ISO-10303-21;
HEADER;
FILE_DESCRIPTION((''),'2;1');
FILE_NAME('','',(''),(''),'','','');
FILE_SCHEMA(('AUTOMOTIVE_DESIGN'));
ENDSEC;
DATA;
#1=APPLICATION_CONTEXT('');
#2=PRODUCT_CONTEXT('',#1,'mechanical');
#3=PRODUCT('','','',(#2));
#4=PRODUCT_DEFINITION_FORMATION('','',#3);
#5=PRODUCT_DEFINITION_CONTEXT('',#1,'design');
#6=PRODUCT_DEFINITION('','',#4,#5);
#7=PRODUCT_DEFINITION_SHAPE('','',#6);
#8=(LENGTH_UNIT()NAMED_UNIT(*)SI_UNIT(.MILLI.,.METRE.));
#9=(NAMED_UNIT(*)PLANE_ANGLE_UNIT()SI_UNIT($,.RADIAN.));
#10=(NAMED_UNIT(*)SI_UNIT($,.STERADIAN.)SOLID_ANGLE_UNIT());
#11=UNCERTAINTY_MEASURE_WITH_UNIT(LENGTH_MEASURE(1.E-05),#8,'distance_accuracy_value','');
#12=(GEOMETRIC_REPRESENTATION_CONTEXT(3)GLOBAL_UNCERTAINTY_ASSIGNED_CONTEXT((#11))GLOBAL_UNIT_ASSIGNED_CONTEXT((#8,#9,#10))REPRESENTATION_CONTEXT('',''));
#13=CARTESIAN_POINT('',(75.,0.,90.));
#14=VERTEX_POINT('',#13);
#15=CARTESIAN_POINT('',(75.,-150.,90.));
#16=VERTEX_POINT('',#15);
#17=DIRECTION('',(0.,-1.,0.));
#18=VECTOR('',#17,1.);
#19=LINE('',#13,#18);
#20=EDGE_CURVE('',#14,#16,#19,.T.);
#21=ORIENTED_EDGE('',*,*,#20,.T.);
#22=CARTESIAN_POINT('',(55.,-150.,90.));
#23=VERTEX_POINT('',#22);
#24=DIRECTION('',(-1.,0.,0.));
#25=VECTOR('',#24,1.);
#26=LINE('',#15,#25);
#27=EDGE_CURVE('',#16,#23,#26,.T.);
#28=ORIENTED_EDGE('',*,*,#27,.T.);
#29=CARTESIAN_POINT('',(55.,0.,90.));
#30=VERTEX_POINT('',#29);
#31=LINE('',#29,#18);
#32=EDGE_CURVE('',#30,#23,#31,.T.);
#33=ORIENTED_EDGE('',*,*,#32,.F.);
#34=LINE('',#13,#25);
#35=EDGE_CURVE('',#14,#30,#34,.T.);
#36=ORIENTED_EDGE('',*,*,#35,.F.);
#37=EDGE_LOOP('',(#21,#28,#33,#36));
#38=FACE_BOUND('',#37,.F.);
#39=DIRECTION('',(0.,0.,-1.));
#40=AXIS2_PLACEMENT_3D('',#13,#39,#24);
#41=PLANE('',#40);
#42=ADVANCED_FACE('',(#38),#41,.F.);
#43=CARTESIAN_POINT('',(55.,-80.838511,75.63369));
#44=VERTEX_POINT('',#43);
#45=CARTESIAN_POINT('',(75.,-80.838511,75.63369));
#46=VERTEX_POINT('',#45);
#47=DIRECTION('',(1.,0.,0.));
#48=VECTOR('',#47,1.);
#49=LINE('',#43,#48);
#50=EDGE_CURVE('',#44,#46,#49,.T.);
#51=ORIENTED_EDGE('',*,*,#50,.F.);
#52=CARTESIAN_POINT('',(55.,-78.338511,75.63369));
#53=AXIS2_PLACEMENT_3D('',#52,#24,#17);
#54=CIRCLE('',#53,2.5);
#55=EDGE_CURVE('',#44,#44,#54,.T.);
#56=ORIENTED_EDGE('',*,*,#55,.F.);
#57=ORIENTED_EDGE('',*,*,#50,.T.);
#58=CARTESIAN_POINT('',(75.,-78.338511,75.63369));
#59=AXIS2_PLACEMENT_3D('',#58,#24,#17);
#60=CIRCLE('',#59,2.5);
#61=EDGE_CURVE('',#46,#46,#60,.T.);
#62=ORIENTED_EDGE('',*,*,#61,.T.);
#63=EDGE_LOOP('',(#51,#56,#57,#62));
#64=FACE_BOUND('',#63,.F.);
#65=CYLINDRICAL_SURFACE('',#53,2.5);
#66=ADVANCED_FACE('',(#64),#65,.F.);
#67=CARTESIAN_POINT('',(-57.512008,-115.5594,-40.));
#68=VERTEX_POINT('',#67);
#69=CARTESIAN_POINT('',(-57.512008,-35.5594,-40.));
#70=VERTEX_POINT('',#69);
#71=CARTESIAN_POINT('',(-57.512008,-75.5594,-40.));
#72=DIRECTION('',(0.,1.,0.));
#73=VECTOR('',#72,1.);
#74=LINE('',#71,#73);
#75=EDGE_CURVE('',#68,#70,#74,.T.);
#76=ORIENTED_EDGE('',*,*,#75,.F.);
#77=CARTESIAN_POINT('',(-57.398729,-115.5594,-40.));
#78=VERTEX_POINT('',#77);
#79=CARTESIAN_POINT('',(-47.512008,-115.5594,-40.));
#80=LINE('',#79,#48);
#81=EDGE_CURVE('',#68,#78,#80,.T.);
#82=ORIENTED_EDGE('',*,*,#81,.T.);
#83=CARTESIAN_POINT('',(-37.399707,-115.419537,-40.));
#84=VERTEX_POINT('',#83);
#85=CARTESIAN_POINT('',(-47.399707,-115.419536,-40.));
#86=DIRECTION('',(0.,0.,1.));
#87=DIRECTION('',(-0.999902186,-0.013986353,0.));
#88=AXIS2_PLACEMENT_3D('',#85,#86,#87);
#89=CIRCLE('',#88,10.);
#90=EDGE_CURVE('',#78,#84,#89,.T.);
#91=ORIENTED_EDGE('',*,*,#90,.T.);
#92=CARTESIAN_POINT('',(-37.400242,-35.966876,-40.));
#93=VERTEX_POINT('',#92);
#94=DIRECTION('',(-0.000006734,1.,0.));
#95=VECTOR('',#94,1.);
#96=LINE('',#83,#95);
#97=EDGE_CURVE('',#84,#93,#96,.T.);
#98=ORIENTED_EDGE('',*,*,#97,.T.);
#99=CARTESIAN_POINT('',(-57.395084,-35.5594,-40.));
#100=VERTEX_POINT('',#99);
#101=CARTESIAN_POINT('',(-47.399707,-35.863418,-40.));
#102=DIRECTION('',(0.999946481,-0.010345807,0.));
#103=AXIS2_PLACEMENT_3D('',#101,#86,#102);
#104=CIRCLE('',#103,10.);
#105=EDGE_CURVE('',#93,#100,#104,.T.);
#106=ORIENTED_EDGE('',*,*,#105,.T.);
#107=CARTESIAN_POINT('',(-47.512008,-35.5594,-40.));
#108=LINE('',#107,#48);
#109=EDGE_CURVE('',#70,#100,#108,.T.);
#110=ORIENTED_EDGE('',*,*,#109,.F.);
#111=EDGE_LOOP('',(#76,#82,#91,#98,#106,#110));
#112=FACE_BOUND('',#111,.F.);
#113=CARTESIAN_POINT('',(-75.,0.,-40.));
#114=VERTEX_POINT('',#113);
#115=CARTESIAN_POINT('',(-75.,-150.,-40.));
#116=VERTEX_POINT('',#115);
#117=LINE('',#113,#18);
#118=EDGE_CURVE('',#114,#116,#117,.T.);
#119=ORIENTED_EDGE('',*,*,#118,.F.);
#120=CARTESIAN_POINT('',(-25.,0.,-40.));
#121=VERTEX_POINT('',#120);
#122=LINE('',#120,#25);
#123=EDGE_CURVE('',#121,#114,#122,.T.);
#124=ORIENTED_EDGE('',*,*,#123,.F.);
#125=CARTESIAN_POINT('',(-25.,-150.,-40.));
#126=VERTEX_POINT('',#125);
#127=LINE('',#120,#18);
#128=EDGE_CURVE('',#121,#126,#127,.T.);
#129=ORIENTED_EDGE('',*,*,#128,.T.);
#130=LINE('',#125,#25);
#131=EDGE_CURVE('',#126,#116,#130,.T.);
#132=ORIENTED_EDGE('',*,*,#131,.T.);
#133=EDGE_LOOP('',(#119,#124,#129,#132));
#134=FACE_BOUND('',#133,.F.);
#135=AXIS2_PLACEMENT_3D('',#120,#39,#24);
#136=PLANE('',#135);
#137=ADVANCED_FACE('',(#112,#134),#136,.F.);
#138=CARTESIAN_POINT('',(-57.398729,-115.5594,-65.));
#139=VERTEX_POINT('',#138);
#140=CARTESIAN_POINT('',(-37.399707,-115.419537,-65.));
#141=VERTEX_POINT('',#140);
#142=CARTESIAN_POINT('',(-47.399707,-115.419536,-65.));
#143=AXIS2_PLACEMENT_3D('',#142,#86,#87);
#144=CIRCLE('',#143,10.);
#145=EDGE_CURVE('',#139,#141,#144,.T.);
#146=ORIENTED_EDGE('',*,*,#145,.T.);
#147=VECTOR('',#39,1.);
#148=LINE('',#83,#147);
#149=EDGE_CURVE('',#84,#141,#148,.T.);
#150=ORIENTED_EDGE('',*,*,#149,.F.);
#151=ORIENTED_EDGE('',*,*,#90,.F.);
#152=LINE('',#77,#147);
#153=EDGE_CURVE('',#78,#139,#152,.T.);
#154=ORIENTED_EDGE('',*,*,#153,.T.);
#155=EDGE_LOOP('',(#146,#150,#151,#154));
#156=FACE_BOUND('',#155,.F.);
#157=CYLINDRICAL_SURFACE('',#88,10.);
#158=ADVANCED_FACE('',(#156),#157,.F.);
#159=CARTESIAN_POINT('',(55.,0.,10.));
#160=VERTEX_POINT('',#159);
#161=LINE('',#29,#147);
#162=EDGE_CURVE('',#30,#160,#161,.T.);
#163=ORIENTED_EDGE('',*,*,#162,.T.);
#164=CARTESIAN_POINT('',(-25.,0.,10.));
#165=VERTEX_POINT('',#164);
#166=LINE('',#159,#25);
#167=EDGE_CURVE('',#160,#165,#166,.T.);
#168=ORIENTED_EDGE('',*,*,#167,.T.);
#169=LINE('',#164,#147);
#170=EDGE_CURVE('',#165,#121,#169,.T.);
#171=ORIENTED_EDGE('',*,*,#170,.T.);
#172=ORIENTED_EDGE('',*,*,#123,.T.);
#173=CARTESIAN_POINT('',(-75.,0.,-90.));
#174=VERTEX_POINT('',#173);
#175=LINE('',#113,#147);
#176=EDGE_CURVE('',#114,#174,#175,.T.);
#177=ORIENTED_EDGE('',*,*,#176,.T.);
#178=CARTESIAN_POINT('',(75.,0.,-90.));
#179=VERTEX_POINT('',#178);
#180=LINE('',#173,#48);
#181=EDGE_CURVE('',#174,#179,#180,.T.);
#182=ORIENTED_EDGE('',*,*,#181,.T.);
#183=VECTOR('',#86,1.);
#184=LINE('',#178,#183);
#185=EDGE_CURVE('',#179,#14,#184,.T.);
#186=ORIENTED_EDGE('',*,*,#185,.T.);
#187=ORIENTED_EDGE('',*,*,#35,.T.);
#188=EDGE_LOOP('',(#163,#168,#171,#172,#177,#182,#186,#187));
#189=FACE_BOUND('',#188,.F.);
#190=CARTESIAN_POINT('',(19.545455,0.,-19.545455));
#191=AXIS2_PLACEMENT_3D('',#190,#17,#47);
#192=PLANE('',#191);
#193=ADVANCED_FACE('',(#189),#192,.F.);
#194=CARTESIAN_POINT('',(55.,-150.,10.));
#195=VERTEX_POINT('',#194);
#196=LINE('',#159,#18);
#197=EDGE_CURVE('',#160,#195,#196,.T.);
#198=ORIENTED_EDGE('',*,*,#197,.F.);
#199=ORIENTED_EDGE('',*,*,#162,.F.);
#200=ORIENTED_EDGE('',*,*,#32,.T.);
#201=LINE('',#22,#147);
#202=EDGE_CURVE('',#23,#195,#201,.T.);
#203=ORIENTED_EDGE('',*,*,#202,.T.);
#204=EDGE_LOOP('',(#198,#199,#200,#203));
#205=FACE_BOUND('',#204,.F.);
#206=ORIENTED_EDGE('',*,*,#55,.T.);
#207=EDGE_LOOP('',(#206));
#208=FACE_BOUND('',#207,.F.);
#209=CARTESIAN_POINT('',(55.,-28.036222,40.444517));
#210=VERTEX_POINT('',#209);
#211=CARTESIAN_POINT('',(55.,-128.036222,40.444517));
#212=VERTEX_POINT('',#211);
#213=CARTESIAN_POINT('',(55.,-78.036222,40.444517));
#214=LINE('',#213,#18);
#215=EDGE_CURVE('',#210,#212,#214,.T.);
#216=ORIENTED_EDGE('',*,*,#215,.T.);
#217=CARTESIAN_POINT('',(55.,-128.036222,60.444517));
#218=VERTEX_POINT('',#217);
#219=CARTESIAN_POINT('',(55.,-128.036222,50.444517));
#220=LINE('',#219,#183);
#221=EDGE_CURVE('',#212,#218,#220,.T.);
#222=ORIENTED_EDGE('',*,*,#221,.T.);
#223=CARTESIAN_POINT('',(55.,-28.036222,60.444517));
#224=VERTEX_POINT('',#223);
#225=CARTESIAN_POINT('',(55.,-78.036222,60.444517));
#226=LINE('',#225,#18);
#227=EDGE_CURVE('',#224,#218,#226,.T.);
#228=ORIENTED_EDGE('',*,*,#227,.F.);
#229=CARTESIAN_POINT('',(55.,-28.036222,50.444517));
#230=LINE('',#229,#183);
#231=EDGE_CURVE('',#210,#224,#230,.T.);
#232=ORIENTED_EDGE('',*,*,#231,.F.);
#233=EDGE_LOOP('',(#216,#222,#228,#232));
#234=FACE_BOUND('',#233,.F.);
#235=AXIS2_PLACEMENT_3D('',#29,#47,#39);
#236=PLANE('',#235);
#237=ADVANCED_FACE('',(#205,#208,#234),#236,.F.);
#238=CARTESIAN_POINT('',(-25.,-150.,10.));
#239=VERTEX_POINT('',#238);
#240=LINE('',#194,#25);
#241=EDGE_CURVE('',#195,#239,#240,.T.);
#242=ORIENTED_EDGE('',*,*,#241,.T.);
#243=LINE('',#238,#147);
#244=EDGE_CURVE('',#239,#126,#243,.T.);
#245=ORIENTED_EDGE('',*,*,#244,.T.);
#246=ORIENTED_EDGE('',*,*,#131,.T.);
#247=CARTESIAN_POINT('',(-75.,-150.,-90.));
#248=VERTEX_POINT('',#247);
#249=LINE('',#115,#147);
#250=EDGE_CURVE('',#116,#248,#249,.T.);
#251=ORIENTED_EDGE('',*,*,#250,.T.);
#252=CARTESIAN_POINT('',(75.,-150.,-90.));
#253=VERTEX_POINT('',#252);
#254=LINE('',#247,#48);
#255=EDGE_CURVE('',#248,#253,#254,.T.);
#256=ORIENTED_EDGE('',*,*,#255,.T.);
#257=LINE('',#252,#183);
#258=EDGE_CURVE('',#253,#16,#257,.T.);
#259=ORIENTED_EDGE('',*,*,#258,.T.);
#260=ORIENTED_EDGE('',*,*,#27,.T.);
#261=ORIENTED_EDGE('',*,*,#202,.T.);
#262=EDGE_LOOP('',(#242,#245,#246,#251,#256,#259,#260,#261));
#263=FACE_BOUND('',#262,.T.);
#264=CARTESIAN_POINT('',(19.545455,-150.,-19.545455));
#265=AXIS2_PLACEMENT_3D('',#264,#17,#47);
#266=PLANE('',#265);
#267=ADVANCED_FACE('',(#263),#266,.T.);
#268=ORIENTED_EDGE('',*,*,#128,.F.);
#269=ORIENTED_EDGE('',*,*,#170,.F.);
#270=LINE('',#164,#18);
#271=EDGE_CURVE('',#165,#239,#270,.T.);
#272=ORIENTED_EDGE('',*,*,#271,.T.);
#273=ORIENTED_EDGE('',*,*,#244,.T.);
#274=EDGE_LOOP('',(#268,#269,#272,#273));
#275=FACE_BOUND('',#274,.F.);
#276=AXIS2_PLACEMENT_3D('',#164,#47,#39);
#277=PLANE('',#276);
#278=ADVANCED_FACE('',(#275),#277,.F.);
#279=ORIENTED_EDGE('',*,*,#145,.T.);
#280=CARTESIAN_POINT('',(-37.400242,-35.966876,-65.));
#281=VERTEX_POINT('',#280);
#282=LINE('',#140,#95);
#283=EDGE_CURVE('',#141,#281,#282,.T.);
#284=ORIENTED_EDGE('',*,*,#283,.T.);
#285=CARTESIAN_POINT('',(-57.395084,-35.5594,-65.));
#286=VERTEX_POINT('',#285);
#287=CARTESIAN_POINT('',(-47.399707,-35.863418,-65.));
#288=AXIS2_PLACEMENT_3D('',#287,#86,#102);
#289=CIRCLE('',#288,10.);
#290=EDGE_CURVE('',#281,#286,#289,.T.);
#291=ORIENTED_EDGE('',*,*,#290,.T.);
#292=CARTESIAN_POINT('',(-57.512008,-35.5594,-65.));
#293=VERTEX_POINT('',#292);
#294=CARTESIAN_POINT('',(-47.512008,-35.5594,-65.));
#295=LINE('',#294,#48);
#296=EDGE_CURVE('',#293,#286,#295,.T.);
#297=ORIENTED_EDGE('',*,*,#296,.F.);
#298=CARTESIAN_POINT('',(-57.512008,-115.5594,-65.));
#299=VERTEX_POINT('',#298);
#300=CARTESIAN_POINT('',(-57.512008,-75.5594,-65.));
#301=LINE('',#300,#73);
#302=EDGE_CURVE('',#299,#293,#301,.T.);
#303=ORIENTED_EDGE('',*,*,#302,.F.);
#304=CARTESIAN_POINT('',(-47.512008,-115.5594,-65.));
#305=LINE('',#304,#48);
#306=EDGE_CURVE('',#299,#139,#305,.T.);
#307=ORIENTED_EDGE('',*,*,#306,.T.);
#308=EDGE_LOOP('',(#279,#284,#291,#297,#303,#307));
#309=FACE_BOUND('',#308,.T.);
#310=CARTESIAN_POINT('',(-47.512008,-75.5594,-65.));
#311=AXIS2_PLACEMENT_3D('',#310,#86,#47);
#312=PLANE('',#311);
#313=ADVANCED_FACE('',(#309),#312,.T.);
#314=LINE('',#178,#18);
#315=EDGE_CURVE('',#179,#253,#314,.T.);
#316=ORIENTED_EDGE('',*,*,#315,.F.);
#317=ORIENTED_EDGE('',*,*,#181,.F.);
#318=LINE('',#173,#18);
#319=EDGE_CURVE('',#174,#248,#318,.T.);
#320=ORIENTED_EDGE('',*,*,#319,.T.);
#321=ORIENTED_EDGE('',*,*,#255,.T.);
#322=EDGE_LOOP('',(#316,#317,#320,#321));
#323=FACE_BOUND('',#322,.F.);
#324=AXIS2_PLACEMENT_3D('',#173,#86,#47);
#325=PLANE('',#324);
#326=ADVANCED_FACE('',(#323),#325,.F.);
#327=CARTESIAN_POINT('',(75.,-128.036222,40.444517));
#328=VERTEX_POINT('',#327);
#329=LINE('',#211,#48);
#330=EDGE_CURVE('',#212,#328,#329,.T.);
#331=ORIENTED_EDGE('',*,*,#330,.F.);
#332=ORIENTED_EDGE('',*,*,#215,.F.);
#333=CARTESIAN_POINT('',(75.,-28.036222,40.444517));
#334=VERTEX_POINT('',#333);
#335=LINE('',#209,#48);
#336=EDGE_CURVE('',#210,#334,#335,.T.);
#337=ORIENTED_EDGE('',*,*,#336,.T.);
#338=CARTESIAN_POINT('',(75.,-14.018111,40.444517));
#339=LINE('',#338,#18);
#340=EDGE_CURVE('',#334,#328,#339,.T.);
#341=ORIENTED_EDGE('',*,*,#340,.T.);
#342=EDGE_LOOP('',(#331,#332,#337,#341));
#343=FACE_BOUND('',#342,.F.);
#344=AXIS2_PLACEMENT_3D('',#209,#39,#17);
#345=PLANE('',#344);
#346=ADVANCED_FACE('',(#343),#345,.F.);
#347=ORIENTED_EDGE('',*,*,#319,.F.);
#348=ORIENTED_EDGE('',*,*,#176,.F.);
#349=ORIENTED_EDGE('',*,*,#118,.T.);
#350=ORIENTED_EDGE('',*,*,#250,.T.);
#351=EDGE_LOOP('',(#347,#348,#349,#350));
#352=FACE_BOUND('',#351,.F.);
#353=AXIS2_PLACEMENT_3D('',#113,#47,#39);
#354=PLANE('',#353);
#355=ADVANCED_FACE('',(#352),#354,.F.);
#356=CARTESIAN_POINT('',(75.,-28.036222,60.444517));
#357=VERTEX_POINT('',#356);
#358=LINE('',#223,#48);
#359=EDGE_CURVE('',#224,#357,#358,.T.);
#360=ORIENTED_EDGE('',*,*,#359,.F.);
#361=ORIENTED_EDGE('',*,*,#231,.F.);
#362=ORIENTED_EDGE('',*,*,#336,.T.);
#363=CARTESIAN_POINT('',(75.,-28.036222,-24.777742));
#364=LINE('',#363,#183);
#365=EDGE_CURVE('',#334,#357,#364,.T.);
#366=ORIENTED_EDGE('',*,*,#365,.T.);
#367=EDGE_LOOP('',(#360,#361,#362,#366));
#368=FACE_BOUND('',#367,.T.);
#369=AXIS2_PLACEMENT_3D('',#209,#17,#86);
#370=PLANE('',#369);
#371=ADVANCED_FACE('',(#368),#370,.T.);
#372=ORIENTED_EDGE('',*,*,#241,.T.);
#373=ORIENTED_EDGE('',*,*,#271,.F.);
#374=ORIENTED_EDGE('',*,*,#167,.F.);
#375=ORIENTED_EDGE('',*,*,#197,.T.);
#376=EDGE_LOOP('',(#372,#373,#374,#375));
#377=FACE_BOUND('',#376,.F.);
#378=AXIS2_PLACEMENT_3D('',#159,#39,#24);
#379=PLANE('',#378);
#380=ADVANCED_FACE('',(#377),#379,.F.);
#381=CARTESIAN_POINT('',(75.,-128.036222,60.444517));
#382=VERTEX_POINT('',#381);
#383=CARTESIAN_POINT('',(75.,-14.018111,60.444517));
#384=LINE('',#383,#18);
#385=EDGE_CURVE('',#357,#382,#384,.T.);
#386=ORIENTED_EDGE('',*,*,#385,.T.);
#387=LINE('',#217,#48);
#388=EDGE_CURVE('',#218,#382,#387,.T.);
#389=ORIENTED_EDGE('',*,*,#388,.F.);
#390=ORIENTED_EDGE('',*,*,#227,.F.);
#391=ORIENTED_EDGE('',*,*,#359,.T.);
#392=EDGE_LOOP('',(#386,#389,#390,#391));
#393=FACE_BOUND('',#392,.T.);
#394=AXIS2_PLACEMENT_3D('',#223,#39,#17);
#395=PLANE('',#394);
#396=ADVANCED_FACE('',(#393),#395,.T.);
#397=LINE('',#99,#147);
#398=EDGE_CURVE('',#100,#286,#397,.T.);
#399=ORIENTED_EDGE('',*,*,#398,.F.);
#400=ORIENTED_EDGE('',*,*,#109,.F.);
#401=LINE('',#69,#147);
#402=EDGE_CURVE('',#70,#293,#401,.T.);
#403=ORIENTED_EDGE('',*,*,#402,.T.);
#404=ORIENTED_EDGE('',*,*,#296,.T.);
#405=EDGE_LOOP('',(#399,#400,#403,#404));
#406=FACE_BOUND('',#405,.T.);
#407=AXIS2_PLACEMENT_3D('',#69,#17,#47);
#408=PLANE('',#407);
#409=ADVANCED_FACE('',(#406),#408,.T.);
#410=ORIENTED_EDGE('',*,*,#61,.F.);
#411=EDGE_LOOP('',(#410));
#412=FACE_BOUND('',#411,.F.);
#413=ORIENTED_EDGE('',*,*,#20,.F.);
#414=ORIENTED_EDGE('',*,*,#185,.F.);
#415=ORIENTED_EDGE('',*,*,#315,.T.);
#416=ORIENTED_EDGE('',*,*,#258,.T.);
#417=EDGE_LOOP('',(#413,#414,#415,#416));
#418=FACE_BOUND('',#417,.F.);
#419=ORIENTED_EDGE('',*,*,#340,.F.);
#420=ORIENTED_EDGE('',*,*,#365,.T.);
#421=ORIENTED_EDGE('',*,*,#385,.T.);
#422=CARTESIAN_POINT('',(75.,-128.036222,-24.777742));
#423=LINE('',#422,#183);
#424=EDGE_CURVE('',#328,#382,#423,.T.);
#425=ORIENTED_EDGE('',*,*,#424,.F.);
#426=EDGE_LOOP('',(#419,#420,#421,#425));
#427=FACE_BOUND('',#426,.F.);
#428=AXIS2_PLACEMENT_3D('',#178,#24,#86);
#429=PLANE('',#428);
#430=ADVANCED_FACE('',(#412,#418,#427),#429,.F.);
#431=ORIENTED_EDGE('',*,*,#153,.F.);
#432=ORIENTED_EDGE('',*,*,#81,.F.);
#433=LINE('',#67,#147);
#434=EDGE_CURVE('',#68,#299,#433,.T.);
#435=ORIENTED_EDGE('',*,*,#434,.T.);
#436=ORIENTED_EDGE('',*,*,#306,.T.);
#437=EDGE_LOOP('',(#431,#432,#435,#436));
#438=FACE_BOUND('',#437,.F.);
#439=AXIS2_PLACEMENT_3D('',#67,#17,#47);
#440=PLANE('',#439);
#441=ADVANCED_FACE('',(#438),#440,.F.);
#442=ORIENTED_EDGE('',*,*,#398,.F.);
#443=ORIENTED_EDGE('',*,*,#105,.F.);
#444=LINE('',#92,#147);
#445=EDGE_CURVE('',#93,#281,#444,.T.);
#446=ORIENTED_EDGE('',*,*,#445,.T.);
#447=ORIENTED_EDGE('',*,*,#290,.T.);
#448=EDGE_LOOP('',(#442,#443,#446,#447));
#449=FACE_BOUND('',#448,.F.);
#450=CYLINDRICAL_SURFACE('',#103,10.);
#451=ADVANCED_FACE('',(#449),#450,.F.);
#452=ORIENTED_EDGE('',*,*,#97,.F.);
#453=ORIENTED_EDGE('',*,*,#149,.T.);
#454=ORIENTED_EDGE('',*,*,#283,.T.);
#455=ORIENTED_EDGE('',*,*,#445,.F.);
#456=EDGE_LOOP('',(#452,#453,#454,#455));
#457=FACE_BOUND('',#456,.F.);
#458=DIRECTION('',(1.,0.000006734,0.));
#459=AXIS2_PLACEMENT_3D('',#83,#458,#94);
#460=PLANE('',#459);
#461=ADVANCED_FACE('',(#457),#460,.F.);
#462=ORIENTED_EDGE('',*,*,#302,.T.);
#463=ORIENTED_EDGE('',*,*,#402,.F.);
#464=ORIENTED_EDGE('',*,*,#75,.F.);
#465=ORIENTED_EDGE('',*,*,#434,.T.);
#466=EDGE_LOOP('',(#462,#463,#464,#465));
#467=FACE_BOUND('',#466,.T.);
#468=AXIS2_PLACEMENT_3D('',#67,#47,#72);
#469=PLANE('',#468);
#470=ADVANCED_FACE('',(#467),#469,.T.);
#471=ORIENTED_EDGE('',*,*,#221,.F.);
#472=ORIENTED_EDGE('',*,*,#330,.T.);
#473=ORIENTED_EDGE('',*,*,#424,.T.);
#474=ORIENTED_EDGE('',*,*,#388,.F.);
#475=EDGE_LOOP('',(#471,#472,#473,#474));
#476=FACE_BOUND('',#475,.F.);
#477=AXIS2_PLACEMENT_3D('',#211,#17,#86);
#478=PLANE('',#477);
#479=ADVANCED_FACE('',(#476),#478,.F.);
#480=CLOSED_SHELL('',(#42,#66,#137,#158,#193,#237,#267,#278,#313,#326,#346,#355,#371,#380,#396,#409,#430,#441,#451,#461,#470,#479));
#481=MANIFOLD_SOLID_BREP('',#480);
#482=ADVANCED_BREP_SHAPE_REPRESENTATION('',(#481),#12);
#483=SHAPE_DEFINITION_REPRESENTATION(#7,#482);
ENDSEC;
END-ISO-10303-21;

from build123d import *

# Parameters (mm, degrees)
F1_DEPTH = 150
F2_W     = 100
F2_H     = 20
F3_DEPTH = 20.001
F4_W     = 20
F4_H     = 80
F6_DEPTH = 25
F7_DEPTH = 25
F8_R     = 2.5
F9_DEPTH = 20.001


with BuildPart() as f1:
    # F0 (on Front) → F1 (new body)
    with BuildSketch(Plane.XZ):
        Polygon((75, -90), (75, 90), (55, 90), (55, 10), (-25, 10), (-25, -40), (-75, -40), (-75, -90), align=None)
    extrude(amount=F1_DEPTH)

    # F2 (on face) → F3 (cut, through all)
    with BuildSketch(Plane(origin=(55, 0, 0), x_dir=(0, -1, 0), z_dir=(-1, 0, 0))):
        with Locations((78.036222, 50.444517)):
            Rectangle(F2_W, F2_H)
    extrude(amount=-F3_DEPTH, mode=Mode.SUBTRACT)

    # F4 (on face) → F6 (cut)
    with BuildSketch(Plane.XY.offset(-40)):
        with Locations((-47.512008, -75.5594)):
            Rectangle(F4_W, F4_H)
    extrude(amount=-F6_DEPTH, mode=Mode.SUBTRACT)

    # F5 (on face) → F7 (cut)
    with BuildSketch(Plane.XY.offset(-40)):
        with BuildLine():
            Line((-37.399707, -115.419537), (-37.400242, -35.966876))
            ThreePointArc((-37.400242, -35.966876), (-47.195959, -25.865494), (-57.395084, -35.5594))
            Line((-57.395084, -35.5594), (-37.512008, -35.5594))
            Line((-37.512008, -35.5594), (-37.512008, -115.5594))
            Line((-37.512008, -115.5594), (-57.398729, -115.5594))
            ThreePointArc((-57.398729, -115.5594), (-47.329774, -125.419292), (-37.399707, -115.419537))
        make_face()
    extrude(amount=-F7_DEPTH, mode=Mode.SUBTRACT)

    # F8 (on face) → F9 (cut, through all)
    with BuildSketch(Plane(origin=(55, 0, 0), x_dir=(0, -1, 0), z_dir=(-1, 0, 0))):
        with Locations((78.338511, 75.63369)):
            Circle(F8_R)
    extrude(amount=-F9_DEPTH, mode=Mode.SUBTRACT)


solid = f1.part
